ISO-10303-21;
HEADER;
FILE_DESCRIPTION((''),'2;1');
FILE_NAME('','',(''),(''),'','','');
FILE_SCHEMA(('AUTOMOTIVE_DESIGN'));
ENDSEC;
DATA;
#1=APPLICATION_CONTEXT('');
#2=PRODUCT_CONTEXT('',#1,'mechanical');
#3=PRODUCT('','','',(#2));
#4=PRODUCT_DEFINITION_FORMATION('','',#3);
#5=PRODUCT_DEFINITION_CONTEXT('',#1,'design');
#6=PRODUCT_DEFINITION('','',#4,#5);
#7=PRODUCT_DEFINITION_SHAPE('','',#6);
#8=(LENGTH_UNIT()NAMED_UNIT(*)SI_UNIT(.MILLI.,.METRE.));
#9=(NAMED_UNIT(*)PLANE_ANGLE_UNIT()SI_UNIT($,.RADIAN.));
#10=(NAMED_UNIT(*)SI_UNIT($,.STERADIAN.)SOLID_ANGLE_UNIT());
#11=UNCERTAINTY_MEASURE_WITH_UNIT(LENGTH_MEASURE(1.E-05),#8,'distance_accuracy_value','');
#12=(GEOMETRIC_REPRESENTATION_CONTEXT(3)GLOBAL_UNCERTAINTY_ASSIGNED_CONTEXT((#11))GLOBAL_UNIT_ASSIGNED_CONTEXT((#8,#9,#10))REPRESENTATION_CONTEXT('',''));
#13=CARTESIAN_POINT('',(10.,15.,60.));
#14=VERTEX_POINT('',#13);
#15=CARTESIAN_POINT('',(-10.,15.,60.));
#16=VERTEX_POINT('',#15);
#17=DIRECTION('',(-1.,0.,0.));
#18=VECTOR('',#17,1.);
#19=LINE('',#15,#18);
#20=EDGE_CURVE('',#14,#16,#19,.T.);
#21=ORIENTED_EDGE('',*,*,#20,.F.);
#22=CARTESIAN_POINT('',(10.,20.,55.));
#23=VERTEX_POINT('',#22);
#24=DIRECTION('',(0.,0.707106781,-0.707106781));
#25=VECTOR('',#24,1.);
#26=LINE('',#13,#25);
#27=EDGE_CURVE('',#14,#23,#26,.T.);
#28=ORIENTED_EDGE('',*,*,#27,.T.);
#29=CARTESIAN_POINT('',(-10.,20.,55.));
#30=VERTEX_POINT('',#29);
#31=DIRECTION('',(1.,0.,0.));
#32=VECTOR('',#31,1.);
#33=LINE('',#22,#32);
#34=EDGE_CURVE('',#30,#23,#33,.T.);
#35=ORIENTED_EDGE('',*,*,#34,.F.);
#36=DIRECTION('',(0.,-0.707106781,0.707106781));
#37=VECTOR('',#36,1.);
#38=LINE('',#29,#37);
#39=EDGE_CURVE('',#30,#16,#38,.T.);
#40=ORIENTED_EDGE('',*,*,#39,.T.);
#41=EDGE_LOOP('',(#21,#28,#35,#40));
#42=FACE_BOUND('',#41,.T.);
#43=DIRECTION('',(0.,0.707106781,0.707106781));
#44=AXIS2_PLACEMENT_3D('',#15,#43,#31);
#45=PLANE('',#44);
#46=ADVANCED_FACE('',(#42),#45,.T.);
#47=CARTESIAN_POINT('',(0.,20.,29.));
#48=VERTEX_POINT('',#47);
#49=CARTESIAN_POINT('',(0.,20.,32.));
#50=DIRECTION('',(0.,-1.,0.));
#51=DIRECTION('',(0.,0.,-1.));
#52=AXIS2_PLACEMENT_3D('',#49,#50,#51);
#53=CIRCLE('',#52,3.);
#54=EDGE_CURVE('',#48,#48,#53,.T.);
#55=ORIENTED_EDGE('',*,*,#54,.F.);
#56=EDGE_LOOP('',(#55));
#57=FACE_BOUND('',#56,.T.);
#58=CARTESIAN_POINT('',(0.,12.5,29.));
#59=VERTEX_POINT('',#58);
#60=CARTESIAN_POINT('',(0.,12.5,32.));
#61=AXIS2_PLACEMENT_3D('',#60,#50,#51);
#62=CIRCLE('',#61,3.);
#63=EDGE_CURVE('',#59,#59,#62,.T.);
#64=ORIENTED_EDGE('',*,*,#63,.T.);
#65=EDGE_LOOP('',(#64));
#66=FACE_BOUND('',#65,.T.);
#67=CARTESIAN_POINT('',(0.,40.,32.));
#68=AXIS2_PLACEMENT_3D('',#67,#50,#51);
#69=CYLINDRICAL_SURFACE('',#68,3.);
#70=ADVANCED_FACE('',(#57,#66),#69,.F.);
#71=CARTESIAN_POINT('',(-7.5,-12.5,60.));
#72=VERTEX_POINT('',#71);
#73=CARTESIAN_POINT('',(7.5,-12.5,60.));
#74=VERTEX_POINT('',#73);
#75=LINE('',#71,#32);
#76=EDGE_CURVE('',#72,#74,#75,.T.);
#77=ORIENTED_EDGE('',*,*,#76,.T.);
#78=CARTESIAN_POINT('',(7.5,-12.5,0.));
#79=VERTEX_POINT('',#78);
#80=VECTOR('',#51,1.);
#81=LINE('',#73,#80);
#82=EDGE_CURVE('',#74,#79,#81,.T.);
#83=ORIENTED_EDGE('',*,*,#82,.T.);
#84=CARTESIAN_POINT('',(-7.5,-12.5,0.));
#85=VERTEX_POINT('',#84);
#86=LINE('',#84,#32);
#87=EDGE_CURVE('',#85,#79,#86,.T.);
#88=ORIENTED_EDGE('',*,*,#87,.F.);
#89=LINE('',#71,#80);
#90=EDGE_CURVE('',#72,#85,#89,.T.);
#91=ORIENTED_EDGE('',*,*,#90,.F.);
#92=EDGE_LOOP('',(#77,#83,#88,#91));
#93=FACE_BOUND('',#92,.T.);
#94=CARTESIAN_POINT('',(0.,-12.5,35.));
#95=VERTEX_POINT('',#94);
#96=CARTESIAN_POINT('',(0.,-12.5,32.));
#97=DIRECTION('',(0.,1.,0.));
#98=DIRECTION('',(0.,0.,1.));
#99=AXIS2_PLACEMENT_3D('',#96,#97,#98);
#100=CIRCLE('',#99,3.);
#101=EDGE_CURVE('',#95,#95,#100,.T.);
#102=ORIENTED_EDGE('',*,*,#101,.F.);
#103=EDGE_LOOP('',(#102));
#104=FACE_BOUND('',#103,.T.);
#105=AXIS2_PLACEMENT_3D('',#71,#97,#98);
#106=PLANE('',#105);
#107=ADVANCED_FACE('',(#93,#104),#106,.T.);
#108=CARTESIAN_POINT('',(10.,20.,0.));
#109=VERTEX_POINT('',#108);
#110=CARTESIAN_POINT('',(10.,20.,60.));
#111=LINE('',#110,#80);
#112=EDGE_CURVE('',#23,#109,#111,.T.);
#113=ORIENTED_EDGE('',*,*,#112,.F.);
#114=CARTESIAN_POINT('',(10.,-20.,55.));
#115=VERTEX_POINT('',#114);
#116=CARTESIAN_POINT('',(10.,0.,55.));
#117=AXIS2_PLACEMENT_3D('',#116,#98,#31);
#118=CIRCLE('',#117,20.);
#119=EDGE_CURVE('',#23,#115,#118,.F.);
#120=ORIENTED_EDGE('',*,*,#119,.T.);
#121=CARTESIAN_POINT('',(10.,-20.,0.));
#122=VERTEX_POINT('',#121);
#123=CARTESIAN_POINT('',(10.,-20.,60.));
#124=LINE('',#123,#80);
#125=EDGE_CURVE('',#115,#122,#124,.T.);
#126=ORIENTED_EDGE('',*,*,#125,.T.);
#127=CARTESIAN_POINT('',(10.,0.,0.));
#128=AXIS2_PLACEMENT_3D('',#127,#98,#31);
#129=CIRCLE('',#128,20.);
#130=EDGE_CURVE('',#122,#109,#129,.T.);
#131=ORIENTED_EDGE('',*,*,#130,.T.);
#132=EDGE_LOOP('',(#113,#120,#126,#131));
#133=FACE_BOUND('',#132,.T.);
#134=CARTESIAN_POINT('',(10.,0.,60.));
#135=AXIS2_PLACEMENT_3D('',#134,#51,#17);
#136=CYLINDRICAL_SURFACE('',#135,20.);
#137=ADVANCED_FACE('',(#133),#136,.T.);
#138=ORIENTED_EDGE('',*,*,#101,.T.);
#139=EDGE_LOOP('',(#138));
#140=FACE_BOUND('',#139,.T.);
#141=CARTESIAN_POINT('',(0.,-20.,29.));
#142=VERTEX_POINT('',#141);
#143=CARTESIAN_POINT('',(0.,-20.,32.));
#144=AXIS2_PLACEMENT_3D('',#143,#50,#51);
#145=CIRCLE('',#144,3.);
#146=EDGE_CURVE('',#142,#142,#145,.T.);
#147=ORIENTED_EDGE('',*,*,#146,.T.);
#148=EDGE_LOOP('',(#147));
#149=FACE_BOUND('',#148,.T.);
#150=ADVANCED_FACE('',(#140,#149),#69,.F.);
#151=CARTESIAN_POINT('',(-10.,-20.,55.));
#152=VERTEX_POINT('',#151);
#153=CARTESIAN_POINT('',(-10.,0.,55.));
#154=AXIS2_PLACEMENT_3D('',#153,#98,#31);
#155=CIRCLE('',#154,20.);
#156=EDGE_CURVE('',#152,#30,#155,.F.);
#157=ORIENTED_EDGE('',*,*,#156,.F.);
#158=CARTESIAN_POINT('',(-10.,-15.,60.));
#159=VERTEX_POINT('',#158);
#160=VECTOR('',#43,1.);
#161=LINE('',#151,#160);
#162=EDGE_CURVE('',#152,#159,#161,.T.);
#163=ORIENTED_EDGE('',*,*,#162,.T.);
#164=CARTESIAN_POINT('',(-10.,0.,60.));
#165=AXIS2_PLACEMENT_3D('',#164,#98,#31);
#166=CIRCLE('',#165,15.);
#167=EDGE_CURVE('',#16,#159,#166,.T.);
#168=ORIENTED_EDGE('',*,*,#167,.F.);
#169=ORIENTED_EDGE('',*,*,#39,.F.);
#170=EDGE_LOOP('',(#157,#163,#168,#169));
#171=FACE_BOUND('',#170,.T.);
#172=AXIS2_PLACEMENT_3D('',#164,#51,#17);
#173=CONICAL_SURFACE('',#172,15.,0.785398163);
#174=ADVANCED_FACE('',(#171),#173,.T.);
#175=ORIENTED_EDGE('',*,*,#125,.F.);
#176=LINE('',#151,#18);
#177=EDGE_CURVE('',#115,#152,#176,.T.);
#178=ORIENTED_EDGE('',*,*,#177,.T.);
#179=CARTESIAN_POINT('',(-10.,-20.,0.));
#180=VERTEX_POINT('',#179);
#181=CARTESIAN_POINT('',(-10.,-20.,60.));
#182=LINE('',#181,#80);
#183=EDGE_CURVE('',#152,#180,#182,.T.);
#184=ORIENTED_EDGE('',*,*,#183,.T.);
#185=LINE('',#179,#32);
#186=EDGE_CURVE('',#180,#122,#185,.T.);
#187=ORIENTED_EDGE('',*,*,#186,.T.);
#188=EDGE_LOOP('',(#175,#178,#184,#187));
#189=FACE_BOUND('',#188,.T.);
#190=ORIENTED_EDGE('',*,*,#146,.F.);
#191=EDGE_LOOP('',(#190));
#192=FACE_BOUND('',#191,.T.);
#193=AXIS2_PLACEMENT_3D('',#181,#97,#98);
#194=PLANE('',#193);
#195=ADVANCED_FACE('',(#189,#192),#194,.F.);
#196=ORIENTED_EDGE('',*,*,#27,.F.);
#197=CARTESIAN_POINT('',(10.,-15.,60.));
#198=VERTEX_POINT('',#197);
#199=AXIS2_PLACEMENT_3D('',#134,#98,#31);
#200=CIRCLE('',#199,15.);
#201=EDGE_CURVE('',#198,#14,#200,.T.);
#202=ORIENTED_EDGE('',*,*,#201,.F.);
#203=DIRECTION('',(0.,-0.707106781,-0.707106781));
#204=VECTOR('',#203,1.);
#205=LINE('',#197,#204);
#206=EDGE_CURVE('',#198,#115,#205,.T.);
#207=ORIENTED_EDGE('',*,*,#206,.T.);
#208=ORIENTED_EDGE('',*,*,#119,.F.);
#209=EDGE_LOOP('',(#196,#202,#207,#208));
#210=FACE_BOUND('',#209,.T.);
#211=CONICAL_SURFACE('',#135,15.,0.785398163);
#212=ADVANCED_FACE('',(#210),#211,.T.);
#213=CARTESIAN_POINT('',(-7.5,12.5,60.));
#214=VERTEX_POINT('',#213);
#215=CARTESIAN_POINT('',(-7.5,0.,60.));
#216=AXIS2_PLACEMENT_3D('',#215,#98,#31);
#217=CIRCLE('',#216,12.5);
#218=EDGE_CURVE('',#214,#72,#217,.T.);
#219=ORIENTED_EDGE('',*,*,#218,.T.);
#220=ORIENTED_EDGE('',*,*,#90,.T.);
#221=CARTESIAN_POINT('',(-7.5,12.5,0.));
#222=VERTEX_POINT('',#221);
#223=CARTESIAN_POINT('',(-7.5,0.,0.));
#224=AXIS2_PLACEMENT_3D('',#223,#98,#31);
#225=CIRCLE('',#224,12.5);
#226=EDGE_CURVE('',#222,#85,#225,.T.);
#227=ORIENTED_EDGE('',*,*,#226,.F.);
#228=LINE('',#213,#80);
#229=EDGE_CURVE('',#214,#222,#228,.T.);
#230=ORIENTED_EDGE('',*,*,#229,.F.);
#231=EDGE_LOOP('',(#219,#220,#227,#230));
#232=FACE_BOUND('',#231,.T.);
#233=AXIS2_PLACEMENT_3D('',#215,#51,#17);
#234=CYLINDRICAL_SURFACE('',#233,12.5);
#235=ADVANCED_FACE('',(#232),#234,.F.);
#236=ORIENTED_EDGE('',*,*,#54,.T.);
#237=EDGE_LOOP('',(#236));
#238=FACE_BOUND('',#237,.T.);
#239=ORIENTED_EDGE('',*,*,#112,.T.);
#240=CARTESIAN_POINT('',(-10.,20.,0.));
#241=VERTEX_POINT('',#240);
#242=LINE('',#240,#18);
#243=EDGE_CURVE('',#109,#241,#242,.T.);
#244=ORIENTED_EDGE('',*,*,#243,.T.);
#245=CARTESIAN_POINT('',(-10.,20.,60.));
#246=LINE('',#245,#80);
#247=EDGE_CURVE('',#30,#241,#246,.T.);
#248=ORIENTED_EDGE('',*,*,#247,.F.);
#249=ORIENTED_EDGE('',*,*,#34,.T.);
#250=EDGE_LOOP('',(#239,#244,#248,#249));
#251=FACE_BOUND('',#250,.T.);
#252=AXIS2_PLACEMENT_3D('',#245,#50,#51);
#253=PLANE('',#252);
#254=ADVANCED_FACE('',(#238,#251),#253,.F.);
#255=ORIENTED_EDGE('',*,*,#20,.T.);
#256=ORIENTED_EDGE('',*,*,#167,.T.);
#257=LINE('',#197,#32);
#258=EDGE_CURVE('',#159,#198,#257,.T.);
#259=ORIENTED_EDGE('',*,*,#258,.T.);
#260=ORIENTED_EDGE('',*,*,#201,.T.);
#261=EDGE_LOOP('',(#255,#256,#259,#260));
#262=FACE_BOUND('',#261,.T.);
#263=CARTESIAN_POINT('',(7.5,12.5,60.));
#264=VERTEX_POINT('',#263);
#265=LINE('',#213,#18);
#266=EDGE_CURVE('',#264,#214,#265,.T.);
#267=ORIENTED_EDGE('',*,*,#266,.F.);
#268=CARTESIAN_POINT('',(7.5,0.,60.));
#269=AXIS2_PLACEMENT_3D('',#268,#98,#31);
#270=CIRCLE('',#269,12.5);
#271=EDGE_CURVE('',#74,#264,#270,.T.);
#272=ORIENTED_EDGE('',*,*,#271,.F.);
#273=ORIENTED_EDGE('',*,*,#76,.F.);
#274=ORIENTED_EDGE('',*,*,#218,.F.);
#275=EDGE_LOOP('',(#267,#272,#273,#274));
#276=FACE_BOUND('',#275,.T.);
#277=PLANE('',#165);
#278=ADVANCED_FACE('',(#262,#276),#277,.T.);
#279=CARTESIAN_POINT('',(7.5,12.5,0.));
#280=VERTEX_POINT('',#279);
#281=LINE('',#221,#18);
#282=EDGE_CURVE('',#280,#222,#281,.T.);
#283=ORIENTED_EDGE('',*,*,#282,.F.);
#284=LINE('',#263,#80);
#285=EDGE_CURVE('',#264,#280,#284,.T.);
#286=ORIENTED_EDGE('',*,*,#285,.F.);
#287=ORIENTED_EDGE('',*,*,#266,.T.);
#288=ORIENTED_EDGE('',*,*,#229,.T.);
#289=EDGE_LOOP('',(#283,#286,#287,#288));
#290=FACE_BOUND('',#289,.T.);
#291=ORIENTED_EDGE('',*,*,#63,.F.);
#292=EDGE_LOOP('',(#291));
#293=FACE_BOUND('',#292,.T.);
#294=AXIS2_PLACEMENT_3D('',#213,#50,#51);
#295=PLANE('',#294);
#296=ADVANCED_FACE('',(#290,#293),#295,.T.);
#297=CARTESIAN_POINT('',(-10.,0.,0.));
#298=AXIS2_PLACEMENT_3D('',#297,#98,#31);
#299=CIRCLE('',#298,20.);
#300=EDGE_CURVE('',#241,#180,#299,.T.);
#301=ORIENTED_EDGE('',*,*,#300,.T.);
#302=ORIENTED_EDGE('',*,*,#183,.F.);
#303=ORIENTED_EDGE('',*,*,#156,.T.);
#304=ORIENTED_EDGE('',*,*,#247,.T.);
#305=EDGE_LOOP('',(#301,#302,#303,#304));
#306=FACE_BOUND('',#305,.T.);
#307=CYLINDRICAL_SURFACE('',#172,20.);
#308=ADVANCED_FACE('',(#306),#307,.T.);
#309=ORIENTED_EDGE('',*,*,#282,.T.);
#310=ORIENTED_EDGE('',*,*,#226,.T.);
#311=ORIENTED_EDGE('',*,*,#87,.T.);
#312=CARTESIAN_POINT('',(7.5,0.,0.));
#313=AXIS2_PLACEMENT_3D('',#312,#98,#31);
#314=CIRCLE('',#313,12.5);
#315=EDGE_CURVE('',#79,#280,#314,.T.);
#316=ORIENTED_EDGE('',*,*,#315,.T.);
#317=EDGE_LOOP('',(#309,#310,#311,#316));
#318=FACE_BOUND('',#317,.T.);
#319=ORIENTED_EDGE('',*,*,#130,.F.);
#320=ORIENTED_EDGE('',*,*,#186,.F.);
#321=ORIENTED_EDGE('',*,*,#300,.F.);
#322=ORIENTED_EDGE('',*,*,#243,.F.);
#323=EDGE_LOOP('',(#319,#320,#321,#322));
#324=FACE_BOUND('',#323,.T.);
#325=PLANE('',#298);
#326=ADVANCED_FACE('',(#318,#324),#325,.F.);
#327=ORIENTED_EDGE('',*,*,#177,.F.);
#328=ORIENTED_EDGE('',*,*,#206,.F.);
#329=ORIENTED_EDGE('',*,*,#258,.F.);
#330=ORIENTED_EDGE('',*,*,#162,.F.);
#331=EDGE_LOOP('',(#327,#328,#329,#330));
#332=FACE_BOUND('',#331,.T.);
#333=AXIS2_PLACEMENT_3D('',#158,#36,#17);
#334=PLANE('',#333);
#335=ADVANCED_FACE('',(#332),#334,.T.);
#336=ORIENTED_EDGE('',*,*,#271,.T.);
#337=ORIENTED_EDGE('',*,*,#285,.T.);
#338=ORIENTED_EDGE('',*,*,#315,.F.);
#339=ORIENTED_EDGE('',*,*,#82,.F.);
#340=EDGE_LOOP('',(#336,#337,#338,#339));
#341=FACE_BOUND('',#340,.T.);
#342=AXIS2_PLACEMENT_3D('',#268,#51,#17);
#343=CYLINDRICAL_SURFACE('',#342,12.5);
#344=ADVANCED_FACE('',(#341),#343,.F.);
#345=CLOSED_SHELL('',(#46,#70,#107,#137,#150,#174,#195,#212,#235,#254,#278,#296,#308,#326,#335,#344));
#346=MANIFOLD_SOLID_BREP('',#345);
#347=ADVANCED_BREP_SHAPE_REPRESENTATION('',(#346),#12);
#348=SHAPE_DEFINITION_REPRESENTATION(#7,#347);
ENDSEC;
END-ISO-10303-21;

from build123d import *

# Parameters (mm, degrees)
BOSS_EXTRUDE1_DEPTH = 60
SKETCH4_R           = 3
CUT_EXTRUDE1_DEPTH  = 60
CHAMFER1_SIZE       = 5


with BuildPart() as part:
    # Sketch1 → Boss-Extrude1 (new body)
    with BuildSketch(Plane.XY):
        with BuildLine():
            Line((-10, 20), (10, 20))
            ThreePointArc((10, 20), (30, 0), (10, -20))
            Line((10, -20), (-10, -20))
            ThreePointArc((-10, -20), (-30, 0), (-10, 20))
        make_face()
        with BuildLine():
            Line((-7.5, 12.5), (7.5, 12.5))
            ThreePointArc((7.5, 12.5), (20, 0), (7.5, -12.5))
            Line((7.5, -12.5), (-7.5, -12.5))
            ThreePointArc((-7.5, -12.5), (-20, 0), (-7.5, 12.5))
        make_face(mode=Mode.SUBTRACT)
    extrude(amount=BOSS_EXTRUDE1_DEPTH)

    # Sketch4 → Cut-Extrude1 (cut)
    with BuildSketch(Plane.XZ.offset(20)):
        with Locations(Location((0, 32, 0), (0, 0, 270))):  # turned: the seam where the file's is
            Circle(SKETCH4_R)
    extrude(amount=-CUT_EXTRUDE1_DEPTH, mode=Mode.SUBTRACT)

    # Chamfer1
    chamfer1_edges = [part.edges().sort_by_distance(p)[0] for p in [
        (30, 0, 60),
        (0, 20, 60),
        (-30, 0, 60),
        (0, -20, 60),
    ]]
    chamfer(chamfer1_edges, length=CHAMFER1_SIZE)


solid = part.part
